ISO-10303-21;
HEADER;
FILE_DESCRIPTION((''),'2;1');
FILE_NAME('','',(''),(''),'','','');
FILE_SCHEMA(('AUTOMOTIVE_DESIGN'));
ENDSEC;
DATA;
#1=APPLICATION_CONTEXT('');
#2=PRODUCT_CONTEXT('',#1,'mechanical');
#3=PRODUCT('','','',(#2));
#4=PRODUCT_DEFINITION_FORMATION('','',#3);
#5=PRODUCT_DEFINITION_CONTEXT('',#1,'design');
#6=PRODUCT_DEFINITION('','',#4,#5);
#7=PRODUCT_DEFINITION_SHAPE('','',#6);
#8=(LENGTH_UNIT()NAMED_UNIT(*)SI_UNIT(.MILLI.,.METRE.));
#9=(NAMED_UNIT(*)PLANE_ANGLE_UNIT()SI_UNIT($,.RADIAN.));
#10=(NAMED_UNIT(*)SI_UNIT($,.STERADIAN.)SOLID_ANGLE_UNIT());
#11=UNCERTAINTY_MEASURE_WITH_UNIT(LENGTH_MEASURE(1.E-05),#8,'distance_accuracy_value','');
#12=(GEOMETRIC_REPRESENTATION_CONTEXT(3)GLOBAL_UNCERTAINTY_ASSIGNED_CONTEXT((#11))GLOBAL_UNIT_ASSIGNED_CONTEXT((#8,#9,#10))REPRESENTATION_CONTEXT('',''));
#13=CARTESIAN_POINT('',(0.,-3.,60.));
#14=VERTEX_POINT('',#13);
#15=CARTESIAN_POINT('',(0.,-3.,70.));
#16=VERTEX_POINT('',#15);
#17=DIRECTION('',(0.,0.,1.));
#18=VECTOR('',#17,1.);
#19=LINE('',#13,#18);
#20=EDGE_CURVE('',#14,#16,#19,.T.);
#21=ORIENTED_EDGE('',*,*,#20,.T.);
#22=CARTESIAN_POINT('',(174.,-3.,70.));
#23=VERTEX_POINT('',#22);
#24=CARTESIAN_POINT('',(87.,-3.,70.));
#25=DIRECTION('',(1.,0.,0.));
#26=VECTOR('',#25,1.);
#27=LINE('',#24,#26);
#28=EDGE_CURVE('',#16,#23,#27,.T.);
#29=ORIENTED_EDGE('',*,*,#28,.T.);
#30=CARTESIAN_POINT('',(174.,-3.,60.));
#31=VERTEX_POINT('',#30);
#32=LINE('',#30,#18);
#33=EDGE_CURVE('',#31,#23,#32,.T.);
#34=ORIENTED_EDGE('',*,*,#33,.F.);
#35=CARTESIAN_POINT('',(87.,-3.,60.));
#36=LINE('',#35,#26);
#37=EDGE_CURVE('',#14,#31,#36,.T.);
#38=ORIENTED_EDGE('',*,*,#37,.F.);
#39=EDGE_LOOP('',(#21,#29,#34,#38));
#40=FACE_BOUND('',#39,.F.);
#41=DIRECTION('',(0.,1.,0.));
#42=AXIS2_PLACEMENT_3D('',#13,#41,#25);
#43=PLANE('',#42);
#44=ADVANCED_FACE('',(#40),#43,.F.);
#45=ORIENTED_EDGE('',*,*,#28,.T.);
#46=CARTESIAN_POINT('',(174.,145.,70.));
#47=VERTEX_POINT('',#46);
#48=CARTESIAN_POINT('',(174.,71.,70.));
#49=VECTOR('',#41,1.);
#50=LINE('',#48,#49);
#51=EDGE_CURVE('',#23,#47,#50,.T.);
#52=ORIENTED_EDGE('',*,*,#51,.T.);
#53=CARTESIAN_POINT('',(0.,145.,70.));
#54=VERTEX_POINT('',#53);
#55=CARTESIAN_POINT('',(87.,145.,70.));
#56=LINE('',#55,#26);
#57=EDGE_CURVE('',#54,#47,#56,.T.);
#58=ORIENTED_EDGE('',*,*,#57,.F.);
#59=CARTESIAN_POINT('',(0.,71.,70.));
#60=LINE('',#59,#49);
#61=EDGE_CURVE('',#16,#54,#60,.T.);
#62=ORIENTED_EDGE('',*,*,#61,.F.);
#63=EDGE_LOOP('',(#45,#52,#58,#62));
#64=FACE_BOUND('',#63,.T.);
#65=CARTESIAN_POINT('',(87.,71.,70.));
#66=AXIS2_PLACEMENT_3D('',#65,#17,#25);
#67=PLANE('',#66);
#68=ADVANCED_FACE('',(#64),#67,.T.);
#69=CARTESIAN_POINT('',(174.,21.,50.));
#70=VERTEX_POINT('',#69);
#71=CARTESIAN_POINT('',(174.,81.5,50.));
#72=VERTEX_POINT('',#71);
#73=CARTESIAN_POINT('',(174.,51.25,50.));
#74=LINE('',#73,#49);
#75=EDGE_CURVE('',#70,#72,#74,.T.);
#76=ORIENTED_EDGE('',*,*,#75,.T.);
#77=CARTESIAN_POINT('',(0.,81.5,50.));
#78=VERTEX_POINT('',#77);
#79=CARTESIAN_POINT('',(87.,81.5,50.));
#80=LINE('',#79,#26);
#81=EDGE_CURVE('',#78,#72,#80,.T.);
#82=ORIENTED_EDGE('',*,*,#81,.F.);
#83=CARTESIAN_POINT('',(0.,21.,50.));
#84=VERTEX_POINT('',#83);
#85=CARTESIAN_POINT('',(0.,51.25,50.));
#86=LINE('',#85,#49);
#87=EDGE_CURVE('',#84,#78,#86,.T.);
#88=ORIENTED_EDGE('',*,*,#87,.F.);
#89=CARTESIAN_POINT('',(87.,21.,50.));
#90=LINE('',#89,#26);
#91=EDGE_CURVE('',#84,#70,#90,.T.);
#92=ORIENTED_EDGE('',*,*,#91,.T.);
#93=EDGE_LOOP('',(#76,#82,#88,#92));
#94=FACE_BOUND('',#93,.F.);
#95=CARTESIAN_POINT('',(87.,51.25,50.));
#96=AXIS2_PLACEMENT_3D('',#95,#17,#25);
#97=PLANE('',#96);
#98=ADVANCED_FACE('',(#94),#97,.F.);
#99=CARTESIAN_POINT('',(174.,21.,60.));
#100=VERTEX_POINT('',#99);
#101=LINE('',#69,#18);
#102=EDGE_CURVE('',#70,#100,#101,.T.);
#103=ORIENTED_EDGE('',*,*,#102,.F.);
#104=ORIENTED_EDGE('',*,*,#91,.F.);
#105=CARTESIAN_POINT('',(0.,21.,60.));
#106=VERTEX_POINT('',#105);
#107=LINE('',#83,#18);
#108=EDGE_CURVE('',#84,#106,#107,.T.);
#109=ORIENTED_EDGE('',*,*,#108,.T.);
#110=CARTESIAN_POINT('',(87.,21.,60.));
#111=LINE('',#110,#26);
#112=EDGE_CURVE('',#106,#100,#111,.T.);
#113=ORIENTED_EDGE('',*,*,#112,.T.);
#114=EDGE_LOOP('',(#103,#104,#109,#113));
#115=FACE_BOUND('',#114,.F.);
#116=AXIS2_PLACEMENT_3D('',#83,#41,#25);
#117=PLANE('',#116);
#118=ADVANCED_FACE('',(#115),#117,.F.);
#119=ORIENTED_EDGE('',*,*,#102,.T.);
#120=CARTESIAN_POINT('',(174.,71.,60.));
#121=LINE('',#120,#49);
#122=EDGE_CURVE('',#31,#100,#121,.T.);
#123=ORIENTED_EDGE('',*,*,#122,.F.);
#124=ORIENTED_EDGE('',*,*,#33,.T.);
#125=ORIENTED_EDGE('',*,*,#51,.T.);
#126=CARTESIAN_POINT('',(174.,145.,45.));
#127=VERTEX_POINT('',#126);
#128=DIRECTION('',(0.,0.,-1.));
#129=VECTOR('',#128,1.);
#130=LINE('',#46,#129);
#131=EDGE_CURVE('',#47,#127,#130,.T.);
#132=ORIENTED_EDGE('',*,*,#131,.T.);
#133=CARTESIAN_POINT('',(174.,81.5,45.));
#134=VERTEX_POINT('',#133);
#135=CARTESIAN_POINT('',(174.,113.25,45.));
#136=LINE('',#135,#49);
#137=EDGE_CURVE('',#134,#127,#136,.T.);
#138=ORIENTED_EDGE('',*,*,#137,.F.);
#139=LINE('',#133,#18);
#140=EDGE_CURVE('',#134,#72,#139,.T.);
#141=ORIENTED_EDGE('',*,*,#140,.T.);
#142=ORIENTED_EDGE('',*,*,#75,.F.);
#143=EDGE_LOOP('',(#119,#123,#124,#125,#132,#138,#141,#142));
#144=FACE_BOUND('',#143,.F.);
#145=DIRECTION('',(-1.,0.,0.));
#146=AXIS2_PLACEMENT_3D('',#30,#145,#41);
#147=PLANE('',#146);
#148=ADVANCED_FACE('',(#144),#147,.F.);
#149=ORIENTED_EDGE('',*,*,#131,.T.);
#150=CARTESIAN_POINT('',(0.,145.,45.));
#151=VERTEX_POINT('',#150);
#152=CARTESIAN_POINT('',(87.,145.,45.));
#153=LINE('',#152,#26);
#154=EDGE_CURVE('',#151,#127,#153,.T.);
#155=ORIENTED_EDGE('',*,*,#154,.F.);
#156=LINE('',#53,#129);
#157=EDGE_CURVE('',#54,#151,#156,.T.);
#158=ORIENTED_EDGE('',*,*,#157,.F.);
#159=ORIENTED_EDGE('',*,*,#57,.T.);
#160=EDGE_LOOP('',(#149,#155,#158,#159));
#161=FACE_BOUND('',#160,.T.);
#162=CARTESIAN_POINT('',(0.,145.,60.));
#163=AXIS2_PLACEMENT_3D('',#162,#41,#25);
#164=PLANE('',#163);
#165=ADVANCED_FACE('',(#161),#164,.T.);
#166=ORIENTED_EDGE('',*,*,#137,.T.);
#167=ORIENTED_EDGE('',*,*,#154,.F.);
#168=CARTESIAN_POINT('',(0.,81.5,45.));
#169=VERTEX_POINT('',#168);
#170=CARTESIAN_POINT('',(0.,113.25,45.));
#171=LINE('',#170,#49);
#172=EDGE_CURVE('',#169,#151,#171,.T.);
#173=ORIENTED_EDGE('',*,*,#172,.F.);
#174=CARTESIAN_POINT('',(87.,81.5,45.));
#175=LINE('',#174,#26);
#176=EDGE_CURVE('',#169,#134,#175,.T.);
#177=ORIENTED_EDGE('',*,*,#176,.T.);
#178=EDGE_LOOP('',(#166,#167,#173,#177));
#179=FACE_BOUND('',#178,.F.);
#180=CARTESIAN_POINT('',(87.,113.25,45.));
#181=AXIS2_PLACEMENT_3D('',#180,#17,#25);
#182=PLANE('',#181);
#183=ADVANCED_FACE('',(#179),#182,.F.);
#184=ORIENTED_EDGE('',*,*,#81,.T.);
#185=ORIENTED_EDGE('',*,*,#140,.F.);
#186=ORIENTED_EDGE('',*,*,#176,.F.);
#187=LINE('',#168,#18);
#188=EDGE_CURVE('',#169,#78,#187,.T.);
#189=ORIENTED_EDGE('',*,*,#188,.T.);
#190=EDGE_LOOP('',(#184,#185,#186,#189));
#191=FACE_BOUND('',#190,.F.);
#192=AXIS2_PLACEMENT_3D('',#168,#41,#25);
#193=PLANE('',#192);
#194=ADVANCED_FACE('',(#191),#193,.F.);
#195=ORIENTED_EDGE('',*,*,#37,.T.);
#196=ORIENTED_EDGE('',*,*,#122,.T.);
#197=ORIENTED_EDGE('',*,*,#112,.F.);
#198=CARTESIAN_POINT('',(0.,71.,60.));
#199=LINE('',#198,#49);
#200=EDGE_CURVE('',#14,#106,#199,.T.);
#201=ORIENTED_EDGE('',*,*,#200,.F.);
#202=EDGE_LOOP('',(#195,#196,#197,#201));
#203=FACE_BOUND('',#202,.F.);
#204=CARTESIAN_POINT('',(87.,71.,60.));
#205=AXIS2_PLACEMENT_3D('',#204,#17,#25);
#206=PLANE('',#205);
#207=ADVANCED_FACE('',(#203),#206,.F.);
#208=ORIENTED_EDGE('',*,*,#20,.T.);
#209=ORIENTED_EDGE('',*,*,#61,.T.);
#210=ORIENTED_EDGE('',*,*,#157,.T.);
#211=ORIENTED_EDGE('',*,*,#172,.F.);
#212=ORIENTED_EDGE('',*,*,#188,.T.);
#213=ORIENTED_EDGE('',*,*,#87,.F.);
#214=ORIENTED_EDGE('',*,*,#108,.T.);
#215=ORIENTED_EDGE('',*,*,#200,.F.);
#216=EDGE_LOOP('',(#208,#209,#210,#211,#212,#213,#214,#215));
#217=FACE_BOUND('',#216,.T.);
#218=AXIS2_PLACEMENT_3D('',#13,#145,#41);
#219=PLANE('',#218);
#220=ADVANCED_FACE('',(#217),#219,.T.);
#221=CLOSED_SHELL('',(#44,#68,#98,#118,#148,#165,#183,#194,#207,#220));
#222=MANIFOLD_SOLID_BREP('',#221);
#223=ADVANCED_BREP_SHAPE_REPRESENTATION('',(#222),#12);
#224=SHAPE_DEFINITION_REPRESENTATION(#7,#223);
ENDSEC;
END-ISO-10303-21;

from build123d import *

# Parameters (mm, degrees)
BOX041_W     = 174
BOX041_H     = 60.5
BOX041_DEPTH = 10
BOX042_W     = 174
BOX042_H     = 148
BOX042_DEPTH = 10
BOX040_W     = 174
BOX040_H     = 63.5
BOX040_DEPTH = 15


with BuildPart() as topmiddlebump:
    # Box041 → Box041 (new body)
    with BuildSketch(Plane(origin=(0, 21, 50), x_dir=(1, 0, 0), z_dir=(0, 0, 1))):
        with Locations((87, 30.25)):
            Rectangle(BOX041_W, BOX041_H)
    extrude(amount=BOX041_DEPTH)


with BuildPart() as tophighbump:
    # Box042 → Box042 (new body)
    with BuildSketch(Plane(origin=(0, -3, 60), x_dir=(1, 0, 0), z_dir=(0, 0, 1))):
        with Locations((87, 74)):
            Rectangle(BOX042_W, BOX042_H)
    extrude(amount=BOX042_DEPTH)


with BuildPart() as topbump:
    # Box040 → Box040 (new body)
    with BuildSketch(Plane(origin=(0, 81.5, 45), x_dir=(1, 0, 0), z_dir=(0, 0, 1))):
        with Locations((87, 31.75)):
            Rectangle(BOX040_W, BOX040_H)
    extrude(amount=BOX040_DEPTH)

    # Fusion010: union TopMiddleBump, TopHighBump
    add(topmiddlebump.part)
    add(tophighbump.part)


solid = topbump.part
